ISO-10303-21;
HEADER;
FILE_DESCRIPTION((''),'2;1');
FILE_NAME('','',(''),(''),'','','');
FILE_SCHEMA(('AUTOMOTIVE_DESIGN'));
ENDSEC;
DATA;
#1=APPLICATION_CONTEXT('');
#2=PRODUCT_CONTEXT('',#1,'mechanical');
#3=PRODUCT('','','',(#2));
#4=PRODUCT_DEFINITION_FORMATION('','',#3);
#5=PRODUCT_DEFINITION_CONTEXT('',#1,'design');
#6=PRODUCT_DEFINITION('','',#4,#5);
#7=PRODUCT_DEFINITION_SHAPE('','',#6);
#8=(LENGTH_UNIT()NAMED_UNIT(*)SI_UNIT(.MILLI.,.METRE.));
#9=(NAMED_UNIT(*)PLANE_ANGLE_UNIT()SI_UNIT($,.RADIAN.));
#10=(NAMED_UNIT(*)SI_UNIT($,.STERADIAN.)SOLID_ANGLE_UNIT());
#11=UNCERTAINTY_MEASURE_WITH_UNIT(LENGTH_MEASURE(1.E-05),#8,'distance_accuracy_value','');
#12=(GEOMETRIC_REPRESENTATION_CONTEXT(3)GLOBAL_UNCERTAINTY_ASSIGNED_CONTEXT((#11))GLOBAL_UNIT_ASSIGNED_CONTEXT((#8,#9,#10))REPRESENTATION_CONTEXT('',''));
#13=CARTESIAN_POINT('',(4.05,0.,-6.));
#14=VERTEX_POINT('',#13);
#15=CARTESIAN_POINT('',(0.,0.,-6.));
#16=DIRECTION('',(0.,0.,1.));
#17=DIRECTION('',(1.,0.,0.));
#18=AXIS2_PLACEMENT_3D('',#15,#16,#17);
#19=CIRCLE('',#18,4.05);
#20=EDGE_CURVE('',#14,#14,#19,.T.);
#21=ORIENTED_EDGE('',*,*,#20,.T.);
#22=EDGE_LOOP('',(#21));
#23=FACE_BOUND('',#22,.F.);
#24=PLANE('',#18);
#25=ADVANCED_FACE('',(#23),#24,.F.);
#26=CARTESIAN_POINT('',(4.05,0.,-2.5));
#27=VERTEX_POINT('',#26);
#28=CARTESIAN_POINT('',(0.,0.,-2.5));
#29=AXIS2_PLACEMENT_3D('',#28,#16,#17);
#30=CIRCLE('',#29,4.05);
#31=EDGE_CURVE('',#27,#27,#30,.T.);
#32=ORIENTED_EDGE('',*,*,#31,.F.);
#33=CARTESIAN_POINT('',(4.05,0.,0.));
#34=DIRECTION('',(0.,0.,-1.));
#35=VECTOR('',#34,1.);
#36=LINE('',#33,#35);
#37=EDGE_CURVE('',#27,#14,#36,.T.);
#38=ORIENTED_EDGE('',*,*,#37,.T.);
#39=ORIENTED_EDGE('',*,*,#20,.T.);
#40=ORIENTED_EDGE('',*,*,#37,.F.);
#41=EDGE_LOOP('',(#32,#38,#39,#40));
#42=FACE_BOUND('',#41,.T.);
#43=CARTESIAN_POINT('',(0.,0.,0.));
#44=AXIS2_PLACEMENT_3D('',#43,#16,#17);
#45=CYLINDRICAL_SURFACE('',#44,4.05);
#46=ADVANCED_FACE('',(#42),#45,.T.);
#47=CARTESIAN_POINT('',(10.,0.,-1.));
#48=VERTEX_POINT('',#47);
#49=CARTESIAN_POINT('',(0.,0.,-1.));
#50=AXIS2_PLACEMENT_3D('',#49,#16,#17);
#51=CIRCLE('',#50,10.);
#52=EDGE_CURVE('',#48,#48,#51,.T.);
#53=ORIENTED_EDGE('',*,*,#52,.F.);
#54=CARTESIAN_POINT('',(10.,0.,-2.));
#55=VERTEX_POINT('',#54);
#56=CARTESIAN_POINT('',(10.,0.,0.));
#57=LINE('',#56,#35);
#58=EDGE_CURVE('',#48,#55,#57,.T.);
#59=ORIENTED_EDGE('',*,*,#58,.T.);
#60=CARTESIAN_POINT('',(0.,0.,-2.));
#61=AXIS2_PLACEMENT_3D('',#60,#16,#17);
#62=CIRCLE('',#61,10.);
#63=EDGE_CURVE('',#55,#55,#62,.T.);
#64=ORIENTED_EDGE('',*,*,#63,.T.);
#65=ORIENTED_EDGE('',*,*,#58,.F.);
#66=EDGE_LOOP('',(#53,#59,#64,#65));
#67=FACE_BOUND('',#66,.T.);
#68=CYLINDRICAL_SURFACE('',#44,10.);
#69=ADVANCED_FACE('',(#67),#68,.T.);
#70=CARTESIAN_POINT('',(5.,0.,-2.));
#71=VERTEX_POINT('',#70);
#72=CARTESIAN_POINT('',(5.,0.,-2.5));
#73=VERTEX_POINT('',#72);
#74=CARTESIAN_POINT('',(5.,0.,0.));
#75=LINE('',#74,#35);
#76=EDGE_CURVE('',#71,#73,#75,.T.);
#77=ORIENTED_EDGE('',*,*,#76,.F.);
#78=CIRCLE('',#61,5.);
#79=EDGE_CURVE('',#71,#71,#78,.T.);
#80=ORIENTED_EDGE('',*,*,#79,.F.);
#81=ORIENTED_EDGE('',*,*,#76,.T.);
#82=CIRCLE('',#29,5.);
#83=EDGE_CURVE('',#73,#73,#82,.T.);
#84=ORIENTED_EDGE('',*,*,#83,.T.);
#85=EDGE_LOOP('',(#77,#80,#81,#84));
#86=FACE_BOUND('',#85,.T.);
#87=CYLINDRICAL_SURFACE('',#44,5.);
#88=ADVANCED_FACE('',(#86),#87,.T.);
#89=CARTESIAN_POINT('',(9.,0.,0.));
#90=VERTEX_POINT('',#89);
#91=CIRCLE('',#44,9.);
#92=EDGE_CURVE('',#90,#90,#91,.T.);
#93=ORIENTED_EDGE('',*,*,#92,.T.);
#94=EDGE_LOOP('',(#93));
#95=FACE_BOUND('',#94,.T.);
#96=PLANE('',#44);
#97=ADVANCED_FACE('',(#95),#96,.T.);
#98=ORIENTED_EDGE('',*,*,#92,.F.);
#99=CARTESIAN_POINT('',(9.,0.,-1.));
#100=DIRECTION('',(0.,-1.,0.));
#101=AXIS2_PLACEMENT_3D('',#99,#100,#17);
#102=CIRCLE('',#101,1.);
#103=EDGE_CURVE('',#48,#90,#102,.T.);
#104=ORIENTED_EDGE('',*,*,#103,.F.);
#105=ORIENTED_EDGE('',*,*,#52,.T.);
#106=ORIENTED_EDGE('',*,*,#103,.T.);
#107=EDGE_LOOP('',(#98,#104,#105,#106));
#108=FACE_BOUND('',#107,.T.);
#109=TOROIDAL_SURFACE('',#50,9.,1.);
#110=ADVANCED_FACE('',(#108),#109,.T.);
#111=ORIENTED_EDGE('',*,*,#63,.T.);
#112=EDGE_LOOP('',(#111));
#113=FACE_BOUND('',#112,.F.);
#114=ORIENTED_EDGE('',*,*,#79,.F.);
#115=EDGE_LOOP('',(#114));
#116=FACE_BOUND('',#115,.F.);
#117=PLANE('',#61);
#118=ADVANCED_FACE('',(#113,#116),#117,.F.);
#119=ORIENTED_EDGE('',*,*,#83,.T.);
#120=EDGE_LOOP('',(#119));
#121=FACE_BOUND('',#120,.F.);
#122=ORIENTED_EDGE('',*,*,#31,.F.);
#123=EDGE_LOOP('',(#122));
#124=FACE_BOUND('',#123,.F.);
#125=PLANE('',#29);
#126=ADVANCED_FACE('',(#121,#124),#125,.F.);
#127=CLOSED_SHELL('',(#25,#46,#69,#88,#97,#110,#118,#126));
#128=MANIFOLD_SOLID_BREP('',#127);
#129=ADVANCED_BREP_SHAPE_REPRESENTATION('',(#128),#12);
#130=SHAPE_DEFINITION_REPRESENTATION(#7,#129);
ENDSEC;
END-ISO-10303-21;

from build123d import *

# Parameters (mm, degrees)
F0_R     = 4.05
F1_DEPTH = 6
F0_R_2   = 5
F2_DEPTH = 2.5
F0_R_3   = 10
F3_DEPTH = 2
F4_R     = 1


with BuildPart() as f1:
    # F0 (on Top) → F1 (new body)
    with BuildSketch(Plane.XY):
        Circle(F0_R)
    extrude(amount=-F1_DEPTH)

    # F0 (on Top) → F2 (join)
    with BuildSketch(Plane.XY):
        Circle(F0_R_2)
        Circle(F0_R, mode=Mode.SUBTRACT)
    extrude(amount=-F2_DEPTH)

    # F0 (on Top) → F3 (join)
    with BuildSketch(Plane.XY):
        Circle(F0_R_3)
        Circle(F0_R_2, mode=Mode.SUBTRACT)
    extrude(amount=-F3_DEPTH)

    # F4
    f4_edges = [f1.edges().sort_by_distance(p)[0] for p in [
        (-10, 0, 0),
    ]]
    fillet(f4_edges, radius=F4_R)


solid = f1.part
